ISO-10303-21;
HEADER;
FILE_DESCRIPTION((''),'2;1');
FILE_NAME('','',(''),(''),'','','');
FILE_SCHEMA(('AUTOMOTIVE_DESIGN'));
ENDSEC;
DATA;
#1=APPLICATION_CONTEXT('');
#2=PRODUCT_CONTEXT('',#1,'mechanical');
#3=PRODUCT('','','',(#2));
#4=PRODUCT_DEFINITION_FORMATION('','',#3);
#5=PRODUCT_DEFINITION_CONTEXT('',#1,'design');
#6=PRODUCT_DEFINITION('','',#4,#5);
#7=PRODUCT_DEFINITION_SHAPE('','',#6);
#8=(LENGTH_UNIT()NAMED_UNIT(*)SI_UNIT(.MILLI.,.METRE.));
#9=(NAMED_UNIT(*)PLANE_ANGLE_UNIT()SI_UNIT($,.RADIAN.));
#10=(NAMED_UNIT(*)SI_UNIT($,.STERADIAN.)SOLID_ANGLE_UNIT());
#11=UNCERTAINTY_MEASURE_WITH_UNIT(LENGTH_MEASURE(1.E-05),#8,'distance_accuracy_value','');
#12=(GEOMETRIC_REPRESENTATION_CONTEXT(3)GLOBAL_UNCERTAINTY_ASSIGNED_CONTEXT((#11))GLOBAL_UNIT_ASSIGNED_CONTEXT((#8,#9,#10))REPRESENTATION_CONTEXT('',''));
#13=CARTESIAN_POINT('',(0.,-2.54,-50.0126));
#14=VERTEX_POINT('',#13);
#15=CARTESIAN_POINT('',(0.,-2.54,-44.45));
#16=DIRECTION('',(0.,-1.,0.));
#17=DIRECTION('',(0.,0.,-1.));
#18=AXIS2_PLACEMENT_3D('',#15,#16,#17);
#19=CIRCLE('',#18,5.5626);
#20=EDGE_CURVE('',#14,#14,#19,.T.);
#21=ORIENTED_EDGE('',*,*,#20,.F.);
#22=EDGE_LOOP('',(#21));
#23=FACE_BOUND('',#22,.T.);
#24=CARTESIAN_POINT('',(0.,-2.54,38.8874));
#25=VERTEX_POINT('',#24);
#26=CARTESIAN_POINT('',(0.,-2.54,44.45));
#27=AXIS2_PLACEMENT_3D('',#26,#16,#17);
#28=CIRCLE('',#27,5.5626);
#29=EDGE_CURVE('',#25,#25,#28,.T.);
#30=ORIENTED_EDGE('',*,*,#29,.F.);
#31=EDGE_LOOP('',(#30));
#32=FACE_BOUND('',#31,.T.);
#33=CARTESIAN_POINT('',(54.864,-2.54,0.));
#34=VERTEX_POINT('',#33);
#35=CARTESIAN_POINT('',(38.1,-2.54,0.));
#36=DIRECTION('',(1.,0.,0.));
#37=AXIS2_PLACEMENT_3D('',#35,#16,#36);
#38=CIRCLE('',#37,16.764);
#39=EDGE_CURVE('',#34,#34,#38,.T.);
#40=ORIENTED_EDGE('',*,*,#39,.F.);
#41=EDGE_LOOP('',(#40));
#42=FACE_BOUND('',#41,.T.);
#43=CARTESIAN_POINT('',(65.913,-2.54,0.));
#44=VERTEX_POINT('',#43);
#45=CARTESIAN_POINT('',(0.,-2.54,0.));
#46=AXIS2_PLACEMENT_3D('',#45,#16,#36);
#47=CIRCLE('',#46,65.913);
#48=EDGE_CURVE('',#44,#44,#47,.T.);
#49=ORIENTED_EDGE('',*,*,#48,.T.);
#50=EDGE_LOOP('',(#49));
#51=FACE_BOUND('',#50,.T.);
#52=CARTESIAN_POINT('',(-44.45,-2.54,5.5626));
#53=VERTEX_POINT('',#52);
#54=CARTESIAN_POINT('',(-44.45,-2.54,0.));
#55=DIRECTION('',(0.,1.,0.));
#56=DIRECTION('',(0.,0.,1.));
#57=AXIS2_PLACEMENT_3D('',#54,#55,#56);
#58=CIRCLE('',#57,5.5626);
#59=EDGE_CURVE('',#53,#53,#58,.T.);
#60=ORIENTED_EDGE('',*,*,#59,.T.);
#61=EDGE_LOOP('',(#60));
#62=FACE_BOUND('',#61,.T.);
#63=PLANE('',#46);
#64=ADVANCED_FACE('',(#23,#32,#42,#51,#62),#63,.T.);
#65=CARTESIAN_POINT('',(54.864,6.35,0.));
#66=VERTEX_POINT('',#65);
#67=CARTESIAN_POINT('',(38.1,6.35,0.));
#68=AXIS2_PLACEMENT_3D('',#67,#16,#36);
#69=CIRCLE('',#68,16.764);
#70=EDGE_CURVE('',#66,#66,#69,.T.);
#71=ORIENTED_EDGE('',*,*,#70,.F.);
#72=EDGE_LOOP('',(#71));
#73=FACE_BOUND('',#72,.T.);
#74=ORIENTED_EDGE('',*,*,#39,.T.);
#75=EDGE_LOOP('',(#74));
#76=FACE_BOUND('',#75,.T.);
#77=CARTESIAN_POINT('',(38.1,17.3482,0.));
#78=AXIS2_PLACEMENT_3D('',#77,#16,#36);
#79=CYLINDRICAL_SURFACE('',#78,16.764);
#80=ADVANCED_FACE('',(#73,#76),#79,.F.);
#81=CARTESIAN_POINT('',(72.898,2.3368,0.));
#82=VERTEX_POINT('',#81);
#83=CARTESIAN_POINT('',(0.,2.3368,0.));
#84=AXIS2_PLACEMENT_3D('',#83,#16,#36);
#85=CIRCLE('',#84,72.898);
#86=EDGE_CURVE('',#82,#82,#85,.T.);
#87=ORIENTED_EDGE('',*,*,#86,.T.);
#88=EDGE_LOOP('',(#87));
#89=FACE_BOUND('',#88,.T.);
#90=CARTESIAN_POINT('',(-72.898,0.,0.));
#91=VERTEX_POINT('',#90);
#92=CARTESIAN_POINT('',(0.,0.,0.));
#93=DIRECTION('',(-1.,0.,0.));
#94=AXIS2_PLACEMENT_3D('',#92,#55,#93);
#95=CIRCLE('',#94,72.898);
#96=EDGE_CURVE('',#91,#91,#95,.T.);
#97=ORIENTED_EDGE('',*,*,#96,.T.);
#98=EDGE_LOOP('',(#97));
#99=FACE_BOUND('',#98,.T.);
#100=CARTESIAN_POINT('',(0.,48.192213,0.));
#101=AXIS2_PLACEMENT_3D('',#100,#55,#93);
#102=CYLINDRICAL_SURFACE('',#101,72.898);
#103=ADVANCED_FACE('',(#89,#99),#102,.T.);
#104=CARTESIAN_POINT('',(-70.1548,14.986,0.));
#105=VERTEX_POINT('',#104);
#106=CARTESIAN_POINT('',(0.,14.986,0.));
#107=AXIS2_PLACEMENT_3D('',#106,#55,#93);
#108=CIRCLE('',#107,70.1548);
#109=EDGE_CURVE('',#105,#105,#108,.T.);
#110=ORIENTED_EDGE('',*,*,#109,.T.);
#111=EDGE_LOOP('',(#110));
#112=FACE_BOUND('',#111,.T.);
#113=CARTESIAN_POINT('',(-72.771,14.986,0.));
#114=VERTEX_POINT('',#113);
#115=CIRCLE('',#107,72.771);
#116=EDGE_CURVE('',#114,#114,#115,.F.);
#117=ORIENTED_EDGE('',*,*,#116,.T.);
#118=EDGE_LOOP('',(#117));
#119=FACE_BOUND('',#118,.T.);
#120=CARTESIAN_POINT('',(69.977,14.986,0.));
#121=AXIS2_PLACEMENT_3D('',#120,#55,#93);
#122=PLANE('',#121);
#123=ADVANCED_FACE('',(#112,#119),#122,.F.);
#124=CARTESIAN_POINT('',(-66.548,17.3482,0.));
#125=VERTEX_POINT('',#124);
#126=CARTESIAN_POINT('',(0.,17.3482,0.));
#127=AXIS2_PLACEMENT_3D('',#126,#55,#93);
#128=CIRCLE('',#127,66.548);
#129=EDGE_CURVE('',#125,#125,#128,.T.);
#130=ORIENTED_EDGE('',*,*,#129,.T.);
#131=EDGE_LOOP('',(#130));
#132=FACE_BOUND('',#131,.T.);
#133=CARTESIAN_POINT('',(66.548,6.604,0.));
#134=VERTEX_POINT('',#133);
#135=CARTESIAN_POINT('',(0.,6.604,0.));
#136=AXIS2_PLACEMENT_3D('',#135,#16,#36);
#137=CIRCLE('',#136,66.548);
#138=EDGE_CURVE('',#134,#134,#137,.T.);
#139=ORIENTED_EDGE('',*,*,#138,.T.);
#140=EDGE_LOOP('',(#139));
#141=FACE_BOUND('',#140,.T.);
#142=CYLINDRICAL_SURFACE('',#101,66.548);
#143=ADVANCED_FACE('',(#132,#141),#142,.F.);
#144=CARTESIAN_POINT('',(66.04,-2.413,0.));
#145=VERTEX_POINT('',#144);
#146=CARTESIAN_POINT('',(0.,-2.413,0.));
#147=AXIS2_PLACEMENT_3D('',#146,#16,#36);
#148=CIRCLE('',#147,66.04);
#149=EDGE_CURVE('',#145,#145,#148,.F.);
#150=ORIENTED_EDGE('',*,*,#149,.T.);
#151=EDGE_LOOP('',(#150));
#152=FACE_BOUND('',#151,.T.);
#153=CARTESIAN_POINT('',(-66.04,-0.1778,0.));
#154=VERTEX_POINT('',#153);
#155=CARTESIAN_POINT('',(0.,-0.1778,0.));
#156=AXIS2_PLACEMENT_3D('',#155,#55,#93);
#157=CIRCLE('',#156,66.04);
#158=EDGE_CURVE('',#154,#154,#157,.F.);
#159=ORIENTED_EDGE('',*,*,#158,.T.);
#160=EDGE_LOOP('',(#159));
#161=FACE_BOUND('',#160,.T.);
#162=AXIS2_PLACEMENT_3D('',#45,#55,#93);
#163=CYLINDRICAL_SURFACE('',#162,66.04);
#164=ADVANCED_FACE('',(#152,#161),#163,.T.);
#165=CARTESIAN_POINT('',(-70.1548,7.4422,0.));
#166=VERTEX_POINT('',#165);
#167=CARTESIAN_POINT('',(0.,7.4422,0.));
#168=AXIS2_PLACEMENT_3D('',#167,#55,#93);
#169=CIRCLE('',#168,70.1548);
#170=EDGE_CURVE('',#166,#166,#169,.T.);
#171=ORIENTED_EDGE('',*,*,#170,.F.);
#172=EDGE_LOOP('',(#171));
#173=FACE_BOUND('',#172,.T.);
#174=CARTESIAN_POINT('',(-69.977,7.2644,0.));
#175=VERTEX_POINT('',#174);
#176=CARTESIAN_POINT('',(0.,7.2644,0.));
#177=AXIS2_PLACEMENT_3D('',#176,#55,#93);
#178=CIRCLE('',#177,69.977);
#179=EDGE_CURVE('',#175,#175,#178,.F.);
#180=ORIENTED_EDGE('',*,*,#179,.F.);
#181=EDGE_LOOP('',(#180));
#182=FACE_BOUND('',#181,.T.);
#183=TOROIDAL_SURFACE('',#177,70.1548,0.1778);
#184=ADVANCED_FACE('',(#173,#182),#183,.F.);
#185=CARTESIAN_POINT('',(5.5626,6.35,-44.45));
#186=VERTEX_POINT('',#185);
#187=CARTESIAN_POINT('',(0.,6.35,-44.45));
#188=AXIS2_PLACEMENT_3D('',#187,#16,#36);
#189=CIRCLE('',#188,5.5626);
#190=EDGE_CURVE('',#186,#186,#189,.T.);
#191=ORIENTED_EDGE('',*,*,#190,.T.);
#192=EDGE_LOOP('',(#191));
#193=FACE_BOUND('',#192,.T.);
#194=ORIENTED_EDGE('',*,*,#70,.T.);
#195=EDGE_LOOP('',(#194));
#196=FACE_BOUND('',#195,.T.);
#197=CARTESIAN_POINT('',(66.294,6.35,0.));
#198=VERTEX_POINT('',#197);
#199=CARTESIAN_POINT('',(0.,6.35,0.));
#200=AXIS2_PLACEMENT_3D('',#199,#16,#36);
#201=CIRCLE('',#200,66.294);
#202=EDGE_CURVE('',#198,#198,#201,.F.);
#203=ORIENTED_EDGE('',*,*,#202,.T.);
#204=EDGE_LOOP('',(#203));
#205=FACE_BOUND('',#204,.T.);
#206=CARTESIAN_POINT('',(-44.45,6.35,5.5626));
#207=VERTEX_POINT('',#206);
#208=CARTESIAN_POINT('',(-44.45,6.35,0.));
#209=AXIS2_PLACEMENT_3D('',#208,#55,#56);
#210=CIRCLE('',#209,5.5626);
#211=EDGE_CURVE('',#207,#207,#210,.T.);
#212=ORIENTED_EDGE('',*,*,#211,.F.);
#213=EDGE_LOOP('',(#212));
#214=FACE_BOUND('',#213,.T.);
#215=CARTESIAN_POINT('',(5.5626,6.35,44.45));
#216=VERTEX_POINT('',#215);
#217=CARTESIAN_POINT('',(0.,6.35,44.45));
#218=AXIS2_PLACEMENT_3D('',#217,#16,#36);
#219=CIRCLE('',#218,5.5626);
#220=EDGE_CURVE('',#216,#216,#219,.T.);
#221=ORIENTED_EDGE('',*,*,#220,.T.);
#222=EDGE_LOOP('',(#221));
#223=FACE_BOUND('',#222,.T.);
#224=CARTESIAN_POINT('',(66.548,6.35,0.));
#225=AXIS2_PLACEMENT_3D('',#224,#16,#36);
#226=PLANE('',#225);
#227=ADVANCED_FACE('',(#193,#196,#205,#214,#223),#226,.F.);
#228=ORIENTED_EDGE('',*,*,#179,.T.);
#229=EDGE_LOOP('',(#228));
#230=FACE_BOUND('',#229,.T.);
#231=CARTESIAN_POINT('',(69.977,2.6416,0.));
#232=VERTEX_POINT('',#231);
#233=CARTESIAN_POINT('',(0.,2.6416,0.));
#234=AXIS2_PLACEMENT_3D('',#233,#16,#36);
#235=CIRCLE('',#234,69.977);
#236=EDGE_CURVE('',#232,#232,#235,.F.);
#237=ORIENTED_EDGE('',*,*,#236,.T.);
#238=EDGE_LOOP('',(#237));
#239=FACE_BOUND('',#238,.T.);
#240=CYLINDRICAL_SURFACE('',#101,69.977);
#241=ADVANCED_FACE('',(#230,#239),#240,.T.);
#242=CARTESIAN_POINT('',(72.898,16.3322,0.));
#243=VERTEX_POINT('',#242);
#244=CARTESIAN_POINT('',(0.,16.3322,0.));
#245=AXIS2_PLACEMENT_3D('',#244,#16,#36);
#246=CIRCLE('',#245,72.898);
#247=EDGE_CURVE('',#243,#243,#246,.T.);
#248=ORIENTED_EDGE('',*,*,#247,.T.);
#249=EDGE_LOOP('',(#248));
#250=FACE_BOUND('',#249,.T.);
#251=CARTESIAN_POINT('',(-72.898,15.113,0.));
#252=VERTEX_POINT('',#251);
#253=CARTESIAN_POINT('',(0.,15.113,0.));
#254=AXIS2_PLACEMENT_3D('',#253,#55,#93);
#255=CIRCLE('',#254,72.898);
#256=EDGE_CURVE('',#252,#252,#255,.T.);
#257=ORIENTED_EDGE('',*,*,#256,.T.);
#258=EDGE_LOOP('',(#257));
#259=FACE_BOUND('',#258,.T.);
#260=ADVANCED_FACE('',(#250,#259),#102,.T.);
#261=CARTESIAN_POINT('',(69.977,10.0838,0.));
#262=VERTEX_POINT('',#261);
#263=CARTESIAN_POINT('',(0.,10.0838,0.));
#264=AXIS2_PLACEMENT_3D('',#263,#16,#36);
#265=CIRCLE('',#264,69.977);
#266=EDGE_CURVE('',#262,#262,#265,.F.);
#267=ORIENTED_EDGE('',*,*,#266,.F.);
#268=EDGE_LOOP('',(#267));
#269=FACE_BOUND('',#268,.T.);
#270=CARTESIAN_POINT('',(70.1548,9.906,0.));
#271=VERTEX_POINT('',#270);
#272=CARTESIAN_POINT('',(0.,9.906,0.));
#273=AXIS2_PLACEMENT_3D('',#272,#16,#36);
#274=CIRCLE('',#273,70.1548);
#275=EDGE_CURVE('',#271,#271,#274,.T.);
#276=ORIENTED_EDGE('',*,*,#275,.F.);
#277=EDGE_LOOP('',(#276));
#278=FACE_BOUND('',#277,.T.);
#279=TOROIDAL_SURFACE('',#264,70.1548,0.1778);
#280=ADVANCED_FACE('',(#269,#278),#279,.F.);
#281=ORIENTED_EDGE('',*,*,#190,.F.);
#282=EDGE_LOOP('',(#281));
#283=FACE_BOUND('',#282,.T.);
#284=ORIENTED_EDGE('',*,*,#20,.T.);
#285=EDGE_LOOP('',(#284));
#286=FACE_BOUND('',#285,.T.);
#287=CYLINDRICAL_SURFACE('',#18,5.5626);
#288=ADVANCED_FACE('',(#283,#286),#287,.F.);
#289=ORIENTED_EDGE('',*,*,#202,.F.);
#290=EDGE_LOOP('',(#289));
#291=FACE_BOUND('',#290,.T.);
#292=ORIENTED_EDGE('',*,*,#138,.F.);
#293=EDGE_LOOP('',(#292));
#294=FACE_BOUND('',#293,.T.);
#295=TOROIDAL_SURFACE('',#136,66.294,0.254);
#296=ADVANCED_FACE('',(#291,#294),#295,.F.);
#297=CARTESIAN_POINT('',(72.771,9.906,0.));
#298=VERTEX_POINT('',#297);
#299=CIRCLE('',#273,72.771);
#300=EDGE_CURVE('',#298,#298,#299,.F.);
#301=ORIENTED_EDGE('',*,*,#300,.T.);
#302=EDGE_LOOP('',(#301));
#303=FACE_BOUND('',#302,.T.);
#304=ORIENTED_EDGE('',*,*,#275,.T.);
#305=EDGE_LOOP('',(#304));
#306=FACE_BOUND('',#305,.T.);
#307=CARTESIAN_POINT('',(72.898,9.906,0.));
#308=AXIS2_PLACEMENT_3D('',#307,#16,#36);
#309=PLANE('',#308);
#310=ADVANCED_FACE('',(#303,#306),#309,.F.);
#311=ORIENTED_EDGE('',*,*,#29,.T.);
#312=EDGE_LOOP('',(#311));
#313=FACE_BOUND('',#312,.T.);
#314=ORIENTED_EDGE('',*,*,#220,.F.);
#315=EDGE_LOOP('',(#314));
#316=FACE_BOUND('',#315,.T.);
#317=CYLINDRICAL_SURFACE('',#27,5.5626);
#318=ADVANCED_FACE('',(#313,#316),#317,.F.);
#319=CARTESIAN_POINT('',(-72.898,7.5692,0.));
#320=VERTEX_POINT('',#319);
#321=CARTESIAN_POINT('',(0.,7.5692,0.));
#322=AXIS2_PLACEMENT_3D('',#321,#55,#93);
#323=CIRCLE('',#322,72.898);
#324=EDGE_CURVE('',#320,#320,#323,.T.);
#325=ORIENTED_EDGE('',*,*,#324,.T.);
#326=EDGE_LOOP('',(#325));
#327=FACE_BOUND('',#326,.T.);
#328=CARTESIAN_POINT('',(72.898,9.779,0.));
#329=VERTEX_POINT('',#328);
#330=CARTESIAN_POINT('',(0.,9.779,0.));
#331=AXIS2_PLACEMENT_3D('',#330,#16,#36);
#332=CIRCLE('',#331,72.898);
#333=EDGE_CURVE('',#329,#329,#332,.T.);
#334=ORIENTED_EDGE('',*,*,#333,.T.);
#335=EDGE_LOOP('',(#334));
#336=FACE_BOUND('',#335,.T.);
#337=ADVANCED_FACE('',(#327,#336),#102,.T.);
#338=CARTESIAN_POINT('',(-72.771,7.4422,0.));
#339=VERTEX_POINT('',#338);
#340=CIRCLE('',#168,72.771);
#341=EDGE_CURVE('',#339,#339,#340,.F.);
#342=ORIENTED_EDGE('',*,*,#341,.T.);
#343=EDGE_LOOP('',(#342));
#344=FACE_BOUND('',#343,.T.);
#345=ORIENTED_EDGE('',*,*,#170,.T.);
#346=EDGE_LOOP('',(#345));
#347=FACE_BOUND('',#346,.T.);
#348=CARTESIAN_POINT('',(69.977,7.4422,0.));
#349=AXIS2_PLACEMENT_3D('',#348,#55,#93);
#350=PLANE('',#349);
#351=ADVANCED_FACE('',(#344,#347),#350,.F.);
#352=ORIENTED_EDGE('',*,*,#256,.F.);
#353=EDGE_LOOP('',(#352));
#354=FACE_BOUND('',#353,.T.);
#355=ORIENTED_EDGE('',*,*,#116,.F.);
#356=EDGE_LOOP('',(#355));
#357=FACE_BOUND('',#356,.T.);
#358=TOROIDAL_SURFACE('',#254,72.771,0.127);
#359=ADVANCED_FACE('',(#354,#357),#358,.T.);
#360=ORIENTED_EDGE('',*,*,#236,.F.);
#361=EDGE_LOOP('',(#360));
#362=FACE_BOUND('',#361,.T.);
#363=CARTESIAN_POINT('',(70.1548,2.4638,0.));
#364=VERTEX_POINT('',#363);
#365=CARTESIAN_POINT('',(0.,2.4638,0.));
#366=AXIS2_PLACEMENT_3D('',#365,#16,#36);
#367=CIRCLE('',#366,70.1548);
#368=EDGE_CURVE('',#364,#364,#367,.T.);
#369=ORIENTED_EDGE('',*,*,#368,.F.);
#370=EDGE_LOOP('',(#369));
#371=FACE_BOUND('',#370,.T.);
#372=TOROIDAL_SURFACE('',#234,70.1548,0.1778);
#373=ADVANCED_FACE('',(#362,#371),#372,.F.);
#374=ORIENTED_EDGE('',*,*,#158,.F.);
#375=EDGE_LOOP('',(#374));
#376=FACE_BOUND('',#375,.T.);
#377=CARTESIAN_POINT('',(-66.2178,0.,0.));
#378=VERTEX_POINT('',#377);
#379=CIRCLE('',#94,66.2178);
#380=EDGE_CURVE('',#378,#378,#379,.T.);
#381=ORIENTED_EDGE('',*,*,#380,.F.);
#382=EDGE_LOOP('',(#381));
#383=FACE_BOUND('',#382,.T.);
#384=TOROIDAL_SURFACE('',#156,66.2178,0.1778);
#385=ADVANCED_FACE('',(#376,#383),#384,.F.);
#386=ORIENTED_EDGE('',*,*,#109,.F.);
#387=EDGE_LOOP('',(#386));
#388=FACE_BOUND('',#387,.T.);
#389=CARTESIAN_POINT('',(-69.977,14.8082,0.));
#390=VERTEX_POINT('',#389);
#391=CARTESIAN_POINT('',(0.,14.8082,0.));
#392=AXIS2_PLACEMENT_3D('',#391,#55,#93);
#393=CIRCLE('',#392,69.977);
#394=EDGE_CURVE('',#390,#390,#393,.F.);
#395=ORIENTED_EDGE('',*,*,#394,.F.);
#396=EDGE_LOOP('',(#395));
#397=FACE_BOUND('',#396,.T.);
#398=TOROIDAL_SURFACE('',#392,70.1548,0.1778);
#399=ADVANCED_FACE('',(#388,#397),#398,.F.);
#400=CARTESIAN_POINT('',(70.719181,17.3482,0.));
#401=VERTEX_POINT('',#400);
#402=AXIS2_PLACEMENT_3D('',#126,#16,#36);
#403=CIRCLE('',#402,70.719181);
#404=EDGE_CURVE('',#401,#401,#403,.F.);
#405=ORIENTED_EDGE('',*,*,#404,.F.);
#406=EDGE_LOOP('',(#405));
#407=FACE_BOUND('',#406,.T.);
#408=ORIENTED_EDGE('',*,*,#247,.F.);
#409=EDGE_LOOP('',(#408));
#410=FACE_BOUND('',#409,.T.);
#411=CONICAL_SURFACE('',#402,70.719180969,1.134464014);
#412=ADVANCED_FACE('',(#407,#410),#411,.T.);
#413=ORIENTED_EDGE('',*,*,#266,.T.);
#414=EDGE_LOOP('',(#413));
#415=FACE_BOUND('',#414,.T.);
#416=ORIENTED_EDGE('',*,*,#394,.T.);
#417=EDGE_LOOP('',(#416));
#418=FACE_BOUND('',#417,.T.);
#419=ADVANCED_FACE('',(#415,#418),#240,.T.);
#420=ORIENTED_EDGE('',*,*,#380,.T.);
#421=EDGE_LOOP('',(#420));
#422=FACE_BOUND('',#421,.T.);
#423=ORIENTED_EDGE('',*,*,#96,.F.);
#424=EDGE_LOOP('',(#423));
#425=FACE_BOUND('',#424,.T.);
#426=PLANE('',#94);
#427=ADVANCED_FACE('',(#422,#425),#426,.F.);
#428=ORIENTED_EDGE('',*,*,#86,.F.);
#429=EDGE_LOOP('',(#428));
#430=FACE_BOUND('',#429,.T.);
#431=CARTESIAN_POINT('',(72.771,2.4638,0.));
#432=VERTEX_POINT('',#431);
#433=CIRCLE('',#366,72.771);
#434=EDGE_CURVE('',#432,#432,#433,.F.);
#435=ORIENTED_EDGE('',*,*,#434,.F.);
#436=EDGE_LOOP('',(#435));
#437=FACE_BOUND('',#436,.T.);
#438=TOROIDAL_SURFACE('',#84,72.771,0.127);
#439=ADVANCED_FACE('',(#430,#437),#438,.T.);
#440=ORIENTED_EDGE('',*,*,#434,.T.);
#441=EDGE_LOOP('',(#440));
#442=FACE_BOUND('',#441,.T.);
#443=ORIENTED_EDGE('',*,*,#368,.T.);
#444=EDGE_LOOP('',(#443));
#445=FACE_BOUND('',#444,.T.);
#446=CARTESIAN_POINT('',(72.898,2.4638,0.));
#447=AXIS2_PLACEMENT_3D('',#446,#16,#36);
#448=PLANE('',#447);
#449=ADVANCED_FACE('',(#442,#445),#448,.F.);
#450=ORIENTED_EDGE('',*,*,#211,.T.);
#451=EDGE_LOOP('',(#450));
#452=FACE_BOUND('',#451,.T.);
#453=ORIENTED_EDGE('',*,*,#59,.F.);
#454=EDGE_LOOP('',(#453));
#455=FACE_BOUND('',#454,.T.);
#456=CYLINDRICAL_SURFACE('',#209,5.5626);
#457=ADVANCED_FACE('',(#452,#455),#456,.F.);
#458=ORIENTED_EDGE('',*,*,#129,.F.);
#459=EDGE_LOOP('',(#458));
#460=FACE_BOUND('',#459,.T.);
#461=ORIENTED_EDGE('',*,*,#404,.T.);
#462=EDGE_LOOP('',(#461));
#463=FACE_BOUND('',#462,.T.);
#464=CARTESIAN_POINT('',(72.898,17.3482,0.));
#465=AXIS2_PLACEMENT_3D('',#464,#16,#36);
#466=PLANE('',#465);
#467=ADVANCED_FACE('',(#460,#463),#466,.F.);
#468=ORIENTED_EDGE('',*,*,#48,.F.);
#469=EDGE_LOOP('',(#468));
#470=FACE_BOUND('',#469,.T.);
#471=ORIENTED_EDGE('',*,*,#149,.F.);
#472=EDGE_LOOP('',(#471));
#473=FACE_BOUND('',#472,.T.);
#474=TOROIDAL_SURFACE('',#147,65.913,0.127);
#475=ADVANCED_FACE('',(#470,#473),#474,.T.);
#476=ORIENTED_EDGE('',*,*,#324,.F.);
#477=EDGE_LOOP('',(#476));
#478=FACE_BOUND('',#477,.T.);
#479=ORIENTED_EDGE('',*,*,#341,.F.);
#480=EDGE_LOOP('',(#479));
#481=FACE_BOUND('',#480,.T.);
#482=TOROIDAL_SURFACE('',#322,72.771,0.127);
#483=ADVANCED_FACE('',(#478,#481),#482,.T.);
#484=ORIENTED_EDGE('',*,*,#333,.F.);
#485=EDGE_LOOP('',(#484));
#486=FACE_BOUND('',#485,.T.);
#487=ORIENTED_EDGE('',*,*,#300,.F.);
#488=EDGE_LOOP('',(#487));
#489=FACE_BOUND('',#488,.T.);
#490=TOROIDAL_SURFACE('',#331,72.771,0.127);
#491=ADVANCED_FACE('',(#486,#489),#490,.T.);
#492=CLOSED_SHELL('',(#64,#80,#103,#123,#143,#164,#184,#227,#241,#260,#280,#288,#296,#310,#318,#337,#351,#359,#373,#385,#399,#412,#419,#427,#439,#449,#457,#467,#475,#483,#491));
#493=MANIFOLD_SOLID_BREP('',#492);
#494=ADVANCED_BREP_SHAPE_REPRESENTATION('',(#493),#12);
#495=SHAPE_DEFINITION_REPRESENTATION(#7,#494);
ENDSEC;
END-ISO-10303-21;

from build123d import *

# Parameters (mm, degrees)
SKETCH6_R                                = 66.04
BOSS_EXTRUDE1_DEPTH                      = 2.54
PIPE_TAP_DRILL_FOR_1_4_TAP_GN2_D         = 11.1252
CNC_ID_FILLET_R                          = 0.1778
CNC_OD_FILLET_R                          = 0.127
CNC_CHAMFERS_SIZE                        = 1.016
CNC_CHAMFERS_SIZE2                       = 2.178819031
CNC_BORE_FILLET_R                        = 0.254
SKETCH7_R                                = 16.764
CUT_EXTRUDE1_SIPHON_DEPTH                = 105.994177631
PIPE_TAP_DRILL_FOR_1_4_TAP_RELIEF_VALV_D = 11.1252
PIPE_TAP_DRILL_FOR_1_4_TAP_VENT_VALVE_D  = 11.1252


with BuildPart() as part:
    # Sketch1 → Revolve1 (revolve)
    with BuildSketch(Plane.XY, mode=Mode.PRIVATE) as revolve1_sk:
        Polygon((0, 0), (72.898, 0), (72.898, 2.4638), (69.977, 2.4638), (69.977, 7.4422), (72.898, 7.4422), (72.898, 9.906), (69.977, 9.906), (69.977, 14.986), (72.898, 14.986), (72.898, 17.3482), (66.548, 17.3482), (66.548, 6.35), (0, 6.35), align=None)
    revolve(revolve1_sk.sketch.rotate(Axis((0, 48.192213231, 0), (0, -1, 0)), 180), axis=Axis((0, 48.192213231, 0), (0, -1, 0)))

    # Sketch6 → Boss-Extrude1 (add)
    with BuildSketch(Plane.XZ):
        Circle(SKETCH6_R)
    extrude(amount=BOSS_EXTRUDE1_DEPTH)

    # Pipe Tap Drill for 1/4 Tap - GN2 (through all)
    with Locations(Plane(origin=(0, 6.35, 0), x_dir=(1, 0, 0), z_dir=(0, 1, 0))):
        with Locations((-44.45, 0)):
            Hole(PIPE_TAP_DRILL_FOR_1_4_TAP_GN2_D / 2)

    # CNC ID Fillet
    cnc_id_fillet_edges = [part.edges().sort_by_distance(p)[0] for p in [
        (69.977, 14.986, 0),
        (69.977, 9.906, 0),
        (69.977, 7.4422, 0),
        (69.977, 2.4638, 0),
        (-66.04, 0, 0),
    ]]
    fillet(cnc_id_fillet_edges, radius=CNC_ID_FILLET_R)

    # CNC OD Fillet
    cnc_od_fillet_edges = [part.edges().sort_by_distance(p)[0] for p in [
        (72.898, 14.986, 0),
        (72.898, 9.906, 0),
        (72.898, 7.4422, 0),
        (72.898, 2.4638, 0),
        (-66.04, -2.54, 0),
    ]]
    fillet(cnc_od_fillet_edges, radius=CNC_OD_FILLET_R)

    # CNC Chamfers
    cnc_chamfers_edges = [part.edges().sort_by_distance(p)[0] for p in [
        (72.898, 17.3482, 0),
    ]]
    cnc_chamfers_side = [part.faces().sort_by_distance(p)[0] for p in [
        (72.898, 16.2306, 0),
    ]]
    chamfer(cnc_chamfers_edges, length=CNC_CHAMFERS_SIZE, length2=CNC_CHAMFERS_SIZE2, reference=cnc_chamfers_side[0])

    # CNC Bore Fillet
    cnc_bore_fillet_edges = [part.edges().sort_by_distance(p)[0] for p in [
        (66.548, 6.35, 0),
    ]]
    fillet(cnc_bore_fillet_edges, radius=CNC_BORE_FILLET_R)

    # Sketch7 → Cut-Extrude1-Siphon (cut, through all)
    with BuildSketch(Plane(origin=(0, -2.54, 0), x_dir=(-1, 0, 0), z_dir=(0, -1, 0))):
        with Locations(Location((-38.1, 0, 0), (0, 0, 180))):
            Circle(SKETCH7_R)
    extrude(amount=-CUT_EXTRUDE1_SIPHON_DEPTH, mode=Mode.SUBTRACT)

    # Pipe Tap Drill for 1/4 Tap - Relief Valve (through all)
    with Locations(Plane(origin=(0, -2.54, 0), x_dir=(-1, 0, 0), z_dir=(0, -1, 0))):
        with Locations((0, 44.45)):
            Hole(PIPE_TAP_DRILL_FOR_1_4_TAP_RELIEF_VALV_D / 2)

    # Pipe Tap Drill for 1/4 Tap - Vent Valve (through all)
    with Locations(Plane(origin=(0, -2.54, 0), x_dir=(-1, 0, 0), z_dir=(0, -1, 0))):
        with Locations((0, -44.45)):
            Hole(PIPE_TAP_DRILL_FOR_1_4_TAP_VENT_VALVE_D / 2)


solid = part.part
